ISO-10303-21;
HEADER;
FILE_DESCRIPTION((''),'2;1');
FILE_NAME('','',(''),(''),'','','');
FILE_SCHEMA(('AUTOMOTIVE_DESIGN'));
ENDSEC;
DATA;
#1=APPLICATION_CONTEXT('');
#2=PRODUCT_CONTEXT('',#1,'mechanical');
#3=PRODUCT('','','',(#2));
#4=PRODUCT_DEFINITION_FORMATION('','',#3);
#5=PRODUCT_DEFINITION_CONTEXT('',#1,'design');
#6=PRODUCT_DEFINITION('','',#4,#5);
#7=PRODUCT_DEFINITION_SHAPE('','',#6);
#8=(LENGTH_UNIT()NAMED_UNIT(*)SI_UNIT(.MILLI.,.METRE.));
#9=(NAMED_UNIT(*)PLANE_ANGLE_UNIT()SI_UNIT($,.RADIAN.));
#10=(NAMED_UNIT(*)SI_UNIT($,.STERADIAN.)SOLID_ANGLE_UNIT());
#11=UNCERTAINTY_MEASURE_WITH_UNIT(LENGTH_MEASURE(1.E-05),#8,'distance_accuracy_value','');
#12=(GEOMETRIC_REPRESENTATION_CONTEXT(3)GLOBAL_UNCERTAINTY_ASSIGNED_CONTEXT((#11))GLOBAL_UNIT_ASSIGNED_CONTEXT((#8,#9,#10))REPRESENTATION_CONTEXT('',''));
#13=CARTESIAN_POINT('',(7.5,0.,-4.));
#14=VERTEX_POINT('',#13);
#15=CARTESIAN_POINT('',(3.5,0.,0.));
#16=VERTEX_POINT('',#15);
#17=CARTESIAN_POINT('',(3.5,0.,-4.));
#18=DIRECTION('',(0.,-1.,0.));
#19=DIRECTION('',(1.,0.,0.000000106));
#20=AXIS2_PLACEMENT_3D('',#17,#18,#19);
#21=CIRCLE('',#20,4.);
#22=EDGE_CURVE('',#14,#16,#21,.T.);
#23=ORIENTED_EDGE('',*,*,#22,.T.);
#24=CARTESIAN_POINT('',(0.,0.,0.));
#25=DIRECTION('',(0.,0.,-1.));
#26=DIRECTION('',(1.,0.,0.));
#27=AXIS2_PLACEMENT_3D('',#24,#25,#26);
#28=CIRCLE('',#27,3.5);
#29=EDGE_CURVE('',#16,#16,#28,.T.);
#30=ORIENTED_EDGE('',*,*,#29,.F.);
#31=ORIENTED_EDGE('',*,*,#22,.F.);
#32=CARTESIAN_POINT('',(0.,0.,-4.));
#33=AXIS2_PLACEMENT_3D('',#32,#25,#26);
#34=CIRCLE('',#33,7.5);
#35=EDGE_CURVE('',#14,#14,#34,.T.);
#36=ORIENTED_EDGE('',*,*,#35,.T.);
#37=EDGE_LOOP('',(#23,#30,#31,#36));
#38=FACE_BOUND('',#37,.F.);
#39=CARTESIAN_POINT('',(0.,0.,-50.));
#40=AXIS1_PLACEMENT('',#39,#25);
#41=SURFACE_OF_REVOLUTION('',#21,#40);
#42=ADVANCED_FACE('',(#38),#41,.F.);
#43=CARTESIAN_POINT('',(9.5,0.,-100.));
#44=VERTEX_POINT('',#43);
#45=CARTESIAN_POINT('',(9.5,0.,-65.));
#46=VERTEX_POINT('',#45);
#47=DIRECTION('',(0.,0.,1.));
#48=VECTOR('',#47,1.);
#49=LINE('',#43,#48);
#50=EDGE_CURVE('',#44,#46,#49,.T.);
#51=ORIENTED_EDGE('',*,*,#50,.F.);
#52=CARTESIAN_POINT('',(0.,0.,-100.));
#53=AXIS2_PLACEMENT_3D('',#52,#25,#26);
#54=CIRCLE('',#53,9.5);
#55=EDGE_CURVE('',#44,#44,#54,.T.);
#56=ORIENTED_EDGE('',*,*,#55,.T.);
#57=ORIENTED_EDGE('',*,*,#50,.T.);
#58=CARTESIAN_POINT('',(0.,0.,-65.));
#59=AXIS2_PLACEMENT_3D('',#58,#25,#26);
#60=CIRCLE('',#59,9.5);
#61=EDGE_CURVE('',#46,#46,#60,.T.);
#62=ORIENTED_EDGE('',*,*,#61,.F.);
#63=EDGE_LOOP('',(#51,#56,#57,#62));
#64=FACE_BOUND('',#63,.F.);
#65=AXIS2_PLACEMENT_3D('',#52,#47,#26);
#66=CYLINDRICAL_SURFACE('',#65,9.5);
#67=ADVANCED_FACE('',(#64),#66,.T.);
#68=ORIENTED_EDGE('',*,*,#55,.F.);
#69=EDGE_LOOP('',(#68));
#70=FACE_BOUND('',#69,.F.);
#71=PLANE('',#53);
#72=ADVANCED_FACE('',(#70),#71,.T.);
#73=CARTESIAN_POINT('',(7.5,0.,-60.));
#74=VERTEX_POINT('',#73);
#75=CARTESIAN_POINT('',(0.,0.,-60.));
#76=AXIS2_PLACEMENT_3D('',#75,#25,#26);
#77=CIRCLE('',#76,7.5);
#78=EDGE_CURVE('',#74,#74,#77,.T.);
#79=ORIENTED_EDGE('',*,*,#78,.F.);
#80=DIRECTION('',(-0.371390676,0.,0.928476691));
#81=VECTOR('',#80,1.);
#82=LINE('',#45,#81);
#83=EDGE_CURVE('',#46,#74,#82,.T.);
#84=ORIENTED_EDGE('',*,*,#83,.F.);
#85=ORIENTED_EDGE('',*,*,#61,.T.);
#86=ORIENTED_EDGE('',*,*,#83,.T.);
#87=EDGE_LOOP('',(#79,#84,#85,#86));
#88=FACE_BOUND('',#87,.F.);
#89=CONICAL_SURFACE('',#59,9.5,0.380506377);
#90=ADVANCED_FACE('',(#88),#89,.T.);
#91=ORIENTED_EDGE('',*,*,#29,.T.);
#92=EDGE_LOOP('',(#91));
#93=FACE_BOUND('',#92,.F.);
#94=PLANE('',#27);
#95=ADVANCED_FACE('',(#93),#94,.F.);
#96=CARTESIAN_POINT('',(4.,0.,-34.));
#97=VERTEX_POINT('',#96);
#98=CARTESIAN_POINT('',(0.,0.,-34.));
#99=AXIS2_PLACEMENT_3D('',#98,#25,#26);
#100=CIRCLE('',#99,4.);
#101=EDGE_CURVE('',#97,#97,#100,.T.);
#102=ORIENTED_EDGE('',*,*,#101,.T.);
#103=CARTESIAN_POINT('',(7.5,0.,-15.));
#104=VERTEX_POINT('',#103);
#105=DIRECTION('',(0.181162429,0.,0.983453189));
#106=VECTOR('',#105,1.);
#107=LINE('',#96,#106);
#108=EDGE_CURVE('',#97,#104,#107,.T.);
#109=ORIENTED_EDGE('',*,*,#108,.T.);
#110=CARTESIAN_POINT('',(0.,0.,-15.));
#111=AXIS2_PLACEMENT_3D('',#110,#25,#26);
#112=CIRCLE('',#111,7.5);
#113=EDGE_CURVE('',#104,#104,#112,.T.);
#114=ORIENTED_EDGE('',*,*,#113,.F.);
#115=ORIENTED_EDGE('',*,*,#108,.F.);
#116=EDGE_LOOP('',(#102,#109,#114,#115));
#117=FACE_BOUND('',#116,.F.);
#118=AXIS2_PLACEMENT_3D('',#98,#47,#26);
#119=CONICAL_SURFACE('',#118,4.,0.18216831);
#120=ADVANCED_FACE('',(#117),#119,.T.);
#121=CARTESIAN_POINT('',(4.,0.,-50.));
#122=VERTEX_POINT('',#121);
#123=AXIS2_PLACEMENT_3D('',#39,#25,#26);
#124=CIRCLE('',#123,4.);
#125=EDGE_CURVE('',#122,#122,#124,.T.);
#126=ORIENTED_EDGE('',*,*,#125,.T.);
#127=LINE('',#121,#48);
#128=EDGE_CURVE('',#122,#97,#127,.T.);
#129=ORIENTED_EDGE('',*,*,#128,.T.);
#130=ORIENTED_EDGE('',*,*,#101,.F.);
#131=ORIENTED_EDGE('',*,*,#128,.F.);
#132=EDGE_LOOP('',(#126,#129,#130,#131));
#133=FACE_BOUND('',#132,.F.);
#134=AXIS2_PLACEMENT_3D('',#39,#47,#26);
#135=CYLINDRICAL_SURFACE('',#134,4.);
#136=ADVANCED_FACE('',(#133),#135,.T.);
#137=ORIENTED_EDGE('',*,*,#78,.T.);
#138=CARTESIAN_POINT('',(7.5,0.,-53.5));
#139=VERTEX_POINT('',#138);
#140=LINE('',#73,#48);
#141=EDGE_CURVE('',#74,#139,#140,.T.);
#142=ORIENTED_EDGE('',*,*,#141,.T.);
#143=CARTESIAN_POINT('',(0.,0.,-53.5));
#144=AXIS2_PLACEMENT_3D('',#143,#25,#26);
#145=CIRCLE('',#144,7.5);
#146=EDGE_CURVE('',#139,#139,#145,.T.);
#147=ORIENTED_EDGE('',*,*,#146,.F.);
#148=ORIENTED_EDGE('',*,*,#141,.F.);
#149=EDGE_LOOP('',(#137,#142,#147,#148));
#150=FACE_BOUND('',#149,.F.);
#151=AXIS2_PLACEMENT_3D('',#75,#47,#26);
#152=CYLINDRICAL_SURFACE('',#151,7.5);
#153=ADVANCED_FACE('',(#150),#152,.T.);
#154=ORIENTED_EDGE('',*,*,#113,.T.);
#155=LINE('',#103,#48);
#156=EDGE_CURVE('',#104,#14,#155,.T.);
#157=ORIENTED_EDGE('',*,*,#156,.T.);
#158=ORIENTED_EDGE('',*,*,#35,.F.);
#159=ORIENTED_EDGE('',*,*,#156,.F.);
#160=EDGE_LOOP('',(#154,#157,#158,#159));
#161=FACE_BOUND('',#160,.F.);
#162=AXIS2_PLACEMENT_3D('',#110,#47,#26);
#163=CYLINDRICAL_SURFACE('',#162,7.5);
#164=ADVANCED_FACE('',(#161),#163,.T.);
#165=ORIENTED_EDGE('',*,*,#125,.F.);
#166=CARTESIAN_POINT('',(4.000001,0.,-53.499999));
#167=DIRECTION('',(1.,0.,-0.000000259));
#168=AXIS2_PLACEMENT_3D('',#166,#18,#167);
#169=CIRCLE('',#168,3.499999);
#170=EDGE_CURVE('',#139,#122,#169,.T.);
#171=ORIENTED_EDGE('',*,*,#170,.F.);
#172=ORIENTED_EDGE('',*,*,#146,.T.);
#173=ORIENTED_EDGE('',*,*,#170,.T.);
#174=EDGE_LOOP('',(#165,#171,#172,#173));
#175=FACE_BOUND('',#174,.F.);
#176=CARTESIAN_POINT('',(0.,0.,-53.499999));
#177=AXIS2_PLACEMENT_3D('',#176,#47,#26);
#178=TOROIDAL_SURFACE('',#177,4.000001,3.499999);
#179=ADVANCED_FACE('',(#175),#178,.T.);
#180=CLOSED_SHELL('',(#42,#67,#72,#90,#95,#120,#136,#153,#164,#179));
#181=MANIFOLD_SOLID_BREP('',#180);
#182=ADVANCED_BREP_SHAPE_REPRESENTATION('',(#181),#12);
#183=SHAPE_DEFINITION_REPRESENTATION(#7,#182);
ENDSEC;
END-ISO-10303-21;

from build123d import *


with BuildPart() as f1:
    # F0 (on Front) → F1 (revolve)
    with BuildSketch(Plane.XZ):
        with BuildLine():
            Line((3.5, 0), (0, 0))
            Line((0, 0), (0, -100))
            Line((0, -100), (9.5, -100))
            Line((9.5, -100), (9.5, -65))
            Line((9.5, -65), (7.5, -60))
            Line((7.5, -60), (7.5, -53.5))
            ThreePointArc((7.5, -53.5), (6.474874, -51.025126), (4, -50))
            Line((4, -50), (4, -34))
            Line((4, -34), (7.5, -15))
            Line((7.5, -15), (7.5, -4))
            ThreePointArc((7.5, -4), (6.328427, -1.171573), (3.5, 0))
        make_face()
    revolve(axis=Axis((0, 0, -50), (0, 0, -1)))


solid = f1.part
